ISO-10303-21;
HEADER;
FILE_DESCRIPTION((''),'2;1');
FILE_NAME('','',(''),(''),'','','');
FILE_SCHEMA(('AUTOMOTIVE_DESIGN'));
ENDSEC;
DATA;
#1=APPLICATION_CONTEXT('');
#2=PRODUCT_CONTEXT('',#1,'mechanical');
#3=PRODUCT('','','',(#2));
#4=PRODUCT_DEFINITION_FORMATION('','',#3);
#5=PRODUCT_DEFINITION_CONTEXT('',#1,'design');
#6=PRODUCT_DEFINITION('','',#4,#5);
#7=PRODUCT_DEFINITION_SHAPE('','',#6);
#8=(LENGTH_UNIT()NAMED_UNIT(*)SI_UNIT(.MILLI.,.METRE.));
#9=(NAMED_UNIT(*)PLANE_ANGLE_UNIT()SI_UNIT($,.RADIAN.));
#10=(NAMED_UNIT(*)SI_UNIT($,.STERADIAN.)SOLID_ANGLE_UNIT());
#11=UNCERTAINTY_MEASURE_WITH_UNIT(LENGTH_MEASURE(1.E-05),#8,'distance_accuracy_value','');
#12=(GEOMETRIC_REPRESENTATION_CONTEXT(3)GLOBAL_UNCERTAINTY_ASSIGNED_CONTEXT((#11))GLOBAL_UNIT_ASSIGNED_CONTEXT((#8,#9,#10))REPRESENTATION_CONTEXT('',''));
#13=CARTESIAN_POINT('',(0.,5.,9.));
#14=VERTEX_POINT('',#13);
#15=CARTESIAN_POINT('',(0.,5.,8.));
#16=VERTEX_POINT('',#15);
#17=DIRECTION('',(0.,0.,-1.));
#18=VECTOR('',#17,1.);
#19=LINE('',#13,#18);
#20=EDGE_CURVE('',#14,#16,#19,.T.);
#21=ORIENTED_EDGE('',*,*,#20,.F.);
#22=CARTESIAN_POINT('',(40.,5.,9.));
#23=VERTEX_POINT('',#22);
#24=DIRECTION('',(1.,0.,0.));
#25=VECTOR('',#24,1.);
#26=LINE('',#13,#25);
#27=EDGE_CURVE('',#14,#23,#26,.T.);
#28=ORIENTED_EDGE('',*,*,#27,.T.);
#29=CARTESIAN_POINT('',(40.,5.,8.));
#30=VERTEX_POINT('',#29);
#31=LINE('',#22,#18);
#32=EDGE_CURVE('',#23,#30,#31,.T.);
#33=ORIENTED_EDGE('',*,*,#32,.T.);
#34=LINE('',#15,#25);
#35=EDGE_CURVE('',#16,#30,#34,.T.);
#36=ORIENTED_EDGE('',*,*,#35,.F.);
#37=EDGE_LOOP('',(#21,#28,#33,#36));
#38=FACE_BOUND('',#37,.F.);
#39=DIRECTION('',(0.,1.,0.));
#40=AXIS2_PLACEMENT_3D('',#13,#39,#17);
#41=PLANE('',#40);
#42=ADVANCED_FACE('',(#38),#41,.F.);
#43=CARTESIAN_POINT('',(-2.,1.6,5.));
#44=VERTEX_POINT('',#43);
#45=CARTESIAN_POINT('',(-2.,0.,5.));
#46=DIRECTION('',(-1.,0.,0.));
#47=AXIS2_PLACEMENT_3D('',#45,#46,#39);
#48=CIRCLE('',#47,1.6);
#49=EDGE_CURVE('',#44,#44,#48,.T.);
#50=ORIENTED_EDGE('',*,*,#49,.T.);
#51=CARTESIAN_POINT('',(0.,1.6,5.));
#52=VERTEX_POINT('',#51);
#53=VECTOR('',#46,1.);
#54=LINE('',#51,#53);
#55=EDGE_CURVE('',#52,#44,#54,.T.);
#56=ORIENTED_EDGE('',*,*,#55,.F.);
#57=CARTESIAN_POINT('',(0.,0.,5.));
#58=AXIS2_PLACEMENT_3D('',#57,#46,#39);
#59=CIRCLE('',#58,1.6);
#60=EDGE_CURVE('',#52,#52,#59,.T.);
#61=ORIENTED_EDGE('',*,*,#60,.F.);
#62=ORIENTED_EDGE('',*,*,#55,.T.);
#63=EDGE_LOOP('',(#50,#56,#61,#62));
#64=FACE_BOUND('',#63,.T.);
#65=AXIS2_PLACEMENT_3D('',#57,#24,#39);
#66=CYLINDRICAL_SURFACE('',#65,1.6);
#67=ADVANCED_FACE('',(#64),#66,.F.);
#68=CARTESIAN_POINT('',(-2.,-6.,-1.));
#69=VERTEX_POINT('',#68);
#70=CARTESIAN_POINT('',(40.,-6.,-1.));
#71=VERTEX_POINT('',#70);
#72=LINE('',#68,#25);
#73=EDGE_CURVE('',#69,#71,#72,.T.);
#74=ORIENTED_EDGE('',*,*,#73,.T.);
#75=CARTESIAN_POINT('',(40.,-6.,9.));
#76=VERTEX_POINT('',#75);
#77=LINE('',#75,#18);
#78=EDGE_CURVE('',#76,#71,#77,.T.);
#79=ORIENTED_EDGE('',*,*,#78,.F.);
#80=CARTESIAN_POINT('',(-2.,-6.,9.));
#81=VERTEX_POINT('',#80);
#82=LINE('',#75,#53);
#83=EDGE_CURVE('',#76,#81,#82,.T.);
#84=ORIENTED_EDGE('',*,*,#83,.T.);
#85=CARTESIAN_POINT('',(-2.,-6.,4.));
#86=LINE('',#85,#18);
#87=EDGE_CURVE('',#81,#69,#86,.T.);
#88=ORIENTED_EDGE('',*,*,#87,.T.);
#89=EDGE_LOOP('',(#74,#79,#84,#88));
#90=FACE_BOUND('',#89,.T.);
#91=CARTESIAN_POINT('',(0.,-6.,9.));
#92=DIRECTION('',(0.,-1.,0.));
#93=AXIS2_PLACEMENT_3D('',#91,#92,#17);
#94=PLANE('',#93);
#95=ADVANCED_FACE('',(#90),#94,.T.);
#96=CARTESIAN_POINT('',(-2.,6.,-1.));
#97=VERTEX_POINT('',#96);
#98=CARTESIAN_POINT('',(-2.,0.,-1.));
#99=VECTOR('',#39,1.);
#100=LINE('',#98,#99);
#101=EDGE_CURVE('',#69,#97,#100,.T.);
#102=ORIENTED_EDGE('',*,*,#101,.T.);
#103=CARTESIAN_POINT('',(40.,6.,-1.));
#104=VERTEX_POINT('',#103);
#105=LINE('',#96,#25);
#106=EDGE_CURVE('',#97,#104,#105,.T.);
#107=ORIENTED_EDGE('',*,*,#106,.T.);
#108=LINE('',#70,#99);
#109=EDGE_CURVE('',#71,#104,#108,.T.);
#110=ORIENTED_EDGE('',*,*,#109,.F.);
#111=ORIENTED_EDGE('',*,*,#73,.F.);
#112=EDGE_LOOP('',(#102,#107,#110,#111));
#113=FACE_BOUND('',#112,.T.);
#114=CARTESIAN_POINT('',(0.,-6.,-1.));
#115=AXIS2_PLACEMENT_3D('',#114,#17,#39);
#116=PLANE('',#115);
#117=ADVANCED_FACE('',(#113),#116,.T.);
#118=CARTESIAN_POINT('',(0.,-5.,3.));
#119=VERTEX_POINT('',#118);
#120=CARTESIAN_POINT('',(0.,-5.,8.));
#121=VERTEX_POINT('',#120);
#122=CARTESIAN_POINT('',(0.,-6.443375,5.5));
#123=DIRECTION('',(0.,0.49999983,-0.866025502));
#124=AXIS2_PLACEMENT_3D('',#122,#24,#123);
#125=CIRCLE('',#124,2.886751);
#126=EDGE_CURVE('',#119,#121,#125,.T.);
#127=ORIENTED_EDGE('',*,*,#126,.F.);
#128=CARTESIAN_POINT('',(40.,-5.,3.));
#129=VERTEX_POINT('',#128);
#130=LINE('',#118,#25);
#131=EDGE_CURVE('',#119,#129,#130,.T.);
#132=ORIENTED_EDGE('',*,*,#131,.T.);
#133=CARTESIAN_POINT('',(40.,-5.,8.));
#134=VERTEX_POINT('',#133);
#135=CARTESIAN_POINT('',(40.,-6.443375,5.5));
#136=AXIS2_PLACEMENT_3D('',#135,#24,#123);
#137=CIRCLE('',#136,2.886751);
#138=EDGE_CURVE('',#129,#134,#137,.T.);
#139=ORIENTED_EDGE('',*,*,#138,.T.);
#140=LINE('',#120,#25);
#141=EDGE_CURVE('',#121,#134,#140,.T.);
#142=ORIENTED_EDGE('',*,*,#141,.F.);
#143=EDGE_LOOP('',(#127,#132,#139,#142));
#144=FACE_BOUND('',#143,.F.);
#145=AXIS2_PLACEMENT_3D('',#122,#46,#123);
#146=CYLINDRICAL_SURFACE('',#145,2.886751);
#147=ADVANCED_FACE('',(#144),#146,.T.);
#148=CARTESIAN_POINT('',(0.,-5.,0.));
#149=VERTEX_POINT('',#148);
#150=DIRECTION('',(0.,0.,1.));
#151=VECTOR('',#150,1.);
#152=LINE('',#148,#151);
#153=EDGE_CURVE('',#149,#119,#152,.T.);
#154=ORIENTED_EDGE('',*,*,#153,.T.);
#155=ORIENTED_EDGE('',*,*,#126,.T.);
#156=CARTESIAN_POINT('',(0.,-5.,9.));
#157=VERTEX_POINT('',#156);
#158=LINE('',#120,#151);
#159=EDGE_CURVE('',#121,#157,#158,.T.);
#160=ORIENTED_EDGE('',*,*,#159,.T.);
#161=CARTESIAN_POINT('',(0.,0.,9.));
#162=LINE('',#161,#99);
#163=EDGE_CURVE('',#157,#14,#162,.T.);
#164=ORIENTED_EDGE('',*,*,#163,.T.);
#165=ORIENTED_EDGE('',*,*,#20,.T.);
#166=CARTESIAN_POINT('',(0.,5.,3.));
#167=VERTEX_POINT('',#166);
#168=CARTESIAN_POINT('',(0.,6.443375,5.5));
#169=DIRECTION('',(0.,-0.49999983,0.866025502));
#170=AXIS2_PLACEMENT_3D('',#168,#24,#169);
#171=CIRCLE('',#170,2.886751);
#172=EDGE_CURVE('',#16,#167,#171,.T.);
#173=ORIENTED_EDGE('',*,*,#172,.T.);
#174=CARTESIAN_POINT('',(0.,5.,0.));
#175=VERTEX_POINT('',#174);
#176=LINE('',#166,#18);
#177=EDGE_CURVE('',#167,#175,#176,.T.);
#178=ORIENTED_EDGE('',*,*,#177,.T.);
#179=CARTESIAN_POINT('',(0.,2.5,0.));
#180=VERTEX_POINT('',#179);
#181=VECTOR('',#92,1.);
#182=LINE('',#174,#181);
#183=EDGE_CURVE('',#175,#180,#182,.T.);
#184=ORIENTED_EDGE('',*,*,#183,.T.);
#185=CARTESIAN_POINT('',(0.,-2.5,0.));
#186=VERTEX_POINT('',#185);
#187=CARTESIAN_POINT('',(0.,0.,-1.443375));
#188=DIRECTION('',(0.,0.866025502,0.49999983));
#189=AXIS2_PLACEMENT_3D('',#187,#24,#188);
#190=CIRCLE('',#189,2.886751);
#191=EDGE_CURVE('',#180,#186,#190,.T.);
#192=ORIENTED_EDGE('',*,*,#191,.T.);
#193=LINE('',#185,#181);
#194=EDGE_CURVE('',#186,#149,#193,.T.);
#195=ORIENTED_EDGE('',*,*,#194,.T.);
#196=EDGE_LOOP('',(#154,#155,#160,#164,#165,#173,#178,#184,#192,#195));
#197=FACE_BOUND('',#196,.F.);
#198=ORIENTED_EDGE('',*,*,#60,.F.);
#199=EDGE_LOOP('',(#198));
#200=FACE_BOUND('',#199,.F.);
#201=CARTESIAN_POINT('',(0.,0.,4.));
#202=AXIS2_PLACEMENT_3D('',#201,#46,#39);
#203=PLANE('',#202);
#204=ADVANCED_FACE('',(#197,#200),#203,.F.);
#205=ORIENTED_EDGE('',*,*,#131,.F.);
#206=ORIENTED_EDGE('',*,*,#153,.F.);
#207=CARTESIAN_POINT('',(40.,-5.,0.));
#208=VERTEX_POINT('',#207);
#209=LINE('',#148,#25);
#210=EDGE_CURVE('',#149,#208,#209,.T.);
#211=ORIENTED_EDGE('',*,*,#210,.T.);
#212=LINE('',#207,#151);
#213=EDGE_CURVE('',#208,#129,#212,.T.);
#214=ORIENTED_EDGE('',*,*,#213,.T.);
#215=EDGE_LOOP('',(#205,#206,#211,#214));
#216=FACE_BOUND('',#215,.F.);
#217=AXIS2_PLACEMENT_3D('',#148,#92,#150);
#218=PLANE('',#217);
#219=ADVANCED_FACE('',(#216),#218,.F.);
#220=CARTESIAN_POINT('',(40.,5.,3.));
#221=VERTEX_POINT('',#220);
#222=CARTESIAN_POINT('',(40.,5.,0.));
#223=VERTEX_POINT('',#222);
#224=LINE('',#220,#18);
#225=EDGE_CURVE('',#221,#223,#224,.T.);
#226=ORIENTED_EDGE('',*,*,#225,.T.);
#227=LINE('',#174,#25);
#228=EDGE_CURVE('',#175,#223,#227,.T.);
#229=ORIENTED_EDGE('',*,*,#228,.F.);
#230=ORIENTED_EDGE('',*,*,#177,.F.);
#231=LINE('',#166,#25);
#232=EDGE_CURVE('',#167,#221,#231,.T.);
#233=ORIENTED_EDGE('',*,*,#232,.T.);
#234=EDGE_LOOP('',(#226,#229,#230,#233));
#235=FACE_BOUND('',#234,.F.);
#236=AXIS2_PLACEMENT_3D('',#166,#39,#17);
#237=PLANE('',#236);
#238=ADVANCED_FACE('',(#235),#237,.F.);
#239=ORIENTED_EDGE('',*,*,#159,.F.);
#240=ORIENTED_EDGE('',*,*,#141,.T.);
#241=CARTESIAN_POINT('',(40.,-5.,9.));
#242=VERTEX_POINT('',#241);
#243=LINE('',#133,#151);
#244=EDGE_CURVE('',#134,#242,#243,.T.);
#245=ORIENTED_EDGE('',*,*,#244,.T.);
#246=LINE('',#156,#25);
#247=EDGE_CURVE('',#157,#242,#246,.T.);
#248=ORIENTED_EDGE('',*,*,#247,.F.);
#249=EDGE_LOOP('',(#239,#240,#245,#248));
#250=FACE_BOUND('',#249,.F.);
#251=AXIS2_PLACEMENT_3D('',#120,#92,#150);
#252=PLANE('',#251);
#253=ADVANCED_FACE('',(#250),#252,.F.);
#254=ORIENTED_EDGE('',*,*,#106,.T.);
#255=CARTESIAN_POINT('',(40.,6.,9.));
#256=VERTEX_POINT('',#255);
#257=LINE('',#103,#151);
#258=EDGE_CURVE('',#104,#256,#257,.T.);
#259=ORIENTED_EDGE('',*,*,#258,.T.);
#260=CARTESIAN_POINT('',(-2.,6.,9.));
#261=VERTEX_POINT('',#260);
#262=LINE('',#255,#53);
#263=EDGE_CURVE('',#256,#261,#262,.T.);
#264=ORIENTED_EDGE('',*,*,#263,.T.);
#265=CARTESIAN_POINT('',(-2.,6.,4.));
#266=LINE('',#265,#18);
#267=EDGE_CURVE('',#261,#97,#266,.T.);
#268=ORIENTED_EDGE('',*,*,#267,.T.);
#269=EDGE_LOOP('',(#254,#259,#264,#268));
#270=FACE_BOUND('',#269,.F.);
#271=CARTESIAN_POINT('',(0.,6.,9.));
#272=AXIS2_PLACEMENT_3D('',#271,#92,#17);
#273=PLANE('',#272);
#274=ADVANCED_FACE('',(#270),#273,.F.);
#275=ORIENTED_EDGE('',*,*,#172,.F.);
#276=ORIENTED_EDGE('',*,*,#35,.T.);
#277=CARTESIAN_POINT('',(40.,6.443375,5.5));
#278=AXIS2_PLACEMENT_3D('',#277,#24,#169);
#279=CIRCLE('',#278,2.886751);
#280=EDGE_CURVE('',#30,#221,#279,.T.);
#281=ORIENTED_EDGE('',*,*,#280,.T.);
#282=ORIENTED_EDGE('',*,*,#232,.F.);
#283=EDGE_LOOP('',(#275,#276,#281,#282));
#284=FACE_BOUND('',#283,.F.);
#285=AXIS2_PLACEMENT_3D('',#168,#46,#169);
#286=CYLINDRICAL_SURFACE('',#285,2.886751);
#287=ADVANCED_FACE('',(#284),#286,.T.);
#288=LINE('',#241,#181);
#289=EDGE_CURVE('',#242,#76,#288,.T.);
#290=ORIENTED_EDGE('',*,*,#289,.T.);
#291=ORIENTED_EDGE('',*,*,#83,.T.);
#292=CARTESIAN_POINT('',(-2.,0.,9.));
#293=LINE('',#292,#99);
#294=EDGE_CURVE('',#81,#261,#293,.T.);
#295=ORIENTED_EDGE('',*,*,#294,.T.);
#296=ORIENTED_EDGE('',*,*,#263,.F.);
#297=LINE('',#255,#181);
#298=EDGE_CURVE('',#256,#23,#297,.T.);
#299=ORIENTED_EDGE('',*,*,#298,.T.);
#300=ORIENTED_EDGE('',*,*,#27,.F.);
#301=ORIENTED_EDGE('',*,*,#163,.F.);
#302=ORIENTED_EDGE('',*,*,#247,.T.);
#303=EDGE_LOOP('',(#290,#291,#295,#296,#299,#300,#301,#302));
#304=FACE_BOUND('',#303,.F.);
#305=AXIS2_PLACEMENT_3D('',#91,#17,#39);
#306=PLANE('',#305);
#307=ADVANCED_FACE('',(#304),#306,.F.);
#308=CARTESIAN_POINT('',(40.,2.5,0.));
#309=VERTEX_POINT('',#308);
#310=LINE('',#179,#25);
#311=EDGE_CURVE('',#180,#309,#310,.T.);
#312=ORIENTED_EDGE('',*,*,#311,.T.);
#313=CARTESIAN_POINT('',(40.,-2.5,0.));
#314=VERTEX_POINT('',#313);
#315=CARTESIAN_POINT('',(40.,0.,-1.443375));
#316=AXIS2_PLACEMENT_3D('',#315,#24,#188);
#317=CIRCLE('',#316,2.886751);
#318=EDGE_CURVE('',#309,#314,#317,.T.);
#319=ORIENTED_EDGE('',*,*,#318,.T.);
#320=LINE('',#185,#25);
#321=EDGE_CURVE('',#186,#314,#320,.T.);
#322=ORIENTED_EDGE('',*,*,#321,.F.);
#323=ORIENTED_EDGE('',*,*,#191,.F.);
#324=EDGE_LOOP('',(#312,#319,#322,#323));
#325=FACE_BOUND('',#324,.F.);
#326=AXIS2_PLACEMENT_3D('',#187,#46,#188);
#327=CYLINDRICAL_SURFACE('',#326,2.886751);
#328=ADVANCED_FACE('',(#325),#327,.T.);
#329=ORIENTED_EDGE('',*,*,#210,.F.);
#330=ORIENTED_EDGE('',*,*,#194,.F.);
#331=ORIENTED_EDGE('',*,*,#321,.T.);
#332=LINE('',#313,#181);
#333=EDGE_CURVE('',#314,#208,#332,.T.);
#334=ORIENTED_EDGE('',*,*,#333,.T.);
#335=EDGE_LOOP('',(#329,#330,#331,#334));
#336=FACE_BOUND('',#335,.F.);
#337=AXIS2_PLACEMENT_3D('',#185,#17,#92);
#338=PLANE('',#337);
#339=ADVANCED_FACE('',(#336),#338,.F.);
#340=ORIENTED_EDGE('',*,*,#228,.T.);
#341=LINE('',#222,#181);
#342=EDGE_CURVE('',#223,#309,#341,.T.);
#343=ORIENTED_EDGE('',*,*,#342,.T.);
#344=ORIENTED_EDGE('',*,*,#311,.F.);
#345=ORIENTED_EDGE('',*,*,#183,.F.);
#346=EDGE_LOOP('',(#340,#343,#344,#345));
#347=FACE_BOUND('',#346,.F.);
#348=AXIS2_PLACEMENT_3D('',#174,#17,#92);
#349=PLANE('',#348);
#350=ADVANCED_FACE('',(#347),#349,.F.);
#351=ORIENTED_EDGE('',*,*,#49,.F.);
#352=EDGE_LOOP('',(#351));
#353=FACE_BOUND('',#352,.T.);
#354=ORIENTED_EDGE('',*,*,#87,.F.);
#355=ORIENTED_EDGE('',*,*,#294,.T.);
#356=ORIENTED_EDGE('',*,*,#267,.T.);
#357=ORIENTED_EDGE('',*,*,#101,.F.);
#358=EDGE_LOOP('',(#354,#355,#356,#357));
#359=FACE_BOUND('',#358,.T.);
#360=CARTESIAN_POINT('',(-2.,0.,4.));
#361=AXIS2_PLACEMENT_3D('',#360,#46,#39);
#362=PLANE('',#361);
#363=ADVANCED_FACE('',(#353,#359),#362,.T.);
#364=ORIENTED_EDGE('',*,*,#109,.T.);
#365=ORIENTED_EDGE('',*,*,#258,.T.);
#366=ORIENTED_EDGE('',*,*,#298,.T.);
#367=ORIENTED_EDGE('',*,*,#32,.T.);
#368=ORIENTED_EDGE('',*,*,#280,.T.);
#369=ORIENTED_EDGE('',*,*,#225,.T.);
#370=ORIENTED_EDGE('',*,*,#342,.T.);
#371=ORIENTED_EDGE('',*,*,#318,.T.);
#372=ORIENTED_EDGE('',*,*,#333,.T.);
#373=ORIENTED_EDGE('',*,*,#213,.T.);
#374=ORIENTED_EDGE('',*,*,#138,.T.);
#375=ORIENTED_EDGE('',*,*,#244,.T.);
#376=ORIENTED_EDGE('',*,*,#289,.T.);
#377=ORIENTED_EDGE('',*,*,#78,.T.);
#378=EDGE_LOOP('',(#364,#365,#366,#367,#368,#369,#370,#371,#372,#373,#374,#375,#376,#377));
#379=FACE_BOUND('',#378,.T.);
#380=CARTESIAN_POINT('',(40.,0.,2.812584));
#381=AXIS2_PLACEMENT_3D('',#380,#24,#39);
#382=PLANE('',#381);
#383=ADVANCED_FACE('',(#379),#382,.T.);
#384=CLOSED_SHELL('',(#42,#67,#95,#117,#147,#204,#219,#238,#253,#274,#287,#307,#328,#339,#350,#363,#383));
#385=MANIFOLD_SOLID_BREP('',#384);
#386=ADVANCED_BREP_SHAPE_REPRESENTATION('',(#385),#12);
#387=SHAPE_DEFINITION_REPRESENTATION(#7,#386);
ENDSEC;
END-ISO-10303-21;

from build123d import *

# Parameters (mm, degrees)
PAD_DEPTH    = 40
SKETCH001_W  = 12
SKETCH001_H  = 10
SKETCH001_R  = 1.6
PAD001_DEPTH = 2


with BuildPart() as part:
    # Sketch → Pad (new body)
    with BuildSketch(Plane.YZ):
        with BuildLine():
            Line((-5, 8), (-5, 9))
            Line((-5, 9), (-6, 9))
            Line((-6, 9), (-6, -1))
            Line((-6, -1), (6, -1))
            Line((6, -1), (6, 9))
            Line((6, 9), (5, 9))
            Line((5, 9), (5, 8))
            ThreePointArc((5, 8), (3.556624, 5.5), (5, 3))
            Line((5, 3), (5, 0))
            Line((5, 0), (2.5, 0))
            ThreePointArc((2.5, 0), (0, 1.443376), (-2.5, 0))
            Line((-2.5, 0), (-5, 0))
            Line((-5, 0), (-5, 3))
            ThreePointArc((-5, 3), (-3.556624, 5.5), (-5, 8))
        make_face()
    extrude(amount=PAD_DEPTH)

    # Sketch001 (on Face15 of Pad) → Pad001 (join)
    with BuildSketch(Plane(origin=(0, 0, 0), x_dir=(0, 1, 0), z_dir=(-1, 0, 0))):
        with Locations((0, -4)):
            Rectangle(SKETCH001_W, SKETCH001_H)
        with Locations((0, -5)):
            Circle(SKETCH001_R, mode=Mode.SUBTRACT)
    extrude(amount=PAD001_DEPTH)


solid = part.part
